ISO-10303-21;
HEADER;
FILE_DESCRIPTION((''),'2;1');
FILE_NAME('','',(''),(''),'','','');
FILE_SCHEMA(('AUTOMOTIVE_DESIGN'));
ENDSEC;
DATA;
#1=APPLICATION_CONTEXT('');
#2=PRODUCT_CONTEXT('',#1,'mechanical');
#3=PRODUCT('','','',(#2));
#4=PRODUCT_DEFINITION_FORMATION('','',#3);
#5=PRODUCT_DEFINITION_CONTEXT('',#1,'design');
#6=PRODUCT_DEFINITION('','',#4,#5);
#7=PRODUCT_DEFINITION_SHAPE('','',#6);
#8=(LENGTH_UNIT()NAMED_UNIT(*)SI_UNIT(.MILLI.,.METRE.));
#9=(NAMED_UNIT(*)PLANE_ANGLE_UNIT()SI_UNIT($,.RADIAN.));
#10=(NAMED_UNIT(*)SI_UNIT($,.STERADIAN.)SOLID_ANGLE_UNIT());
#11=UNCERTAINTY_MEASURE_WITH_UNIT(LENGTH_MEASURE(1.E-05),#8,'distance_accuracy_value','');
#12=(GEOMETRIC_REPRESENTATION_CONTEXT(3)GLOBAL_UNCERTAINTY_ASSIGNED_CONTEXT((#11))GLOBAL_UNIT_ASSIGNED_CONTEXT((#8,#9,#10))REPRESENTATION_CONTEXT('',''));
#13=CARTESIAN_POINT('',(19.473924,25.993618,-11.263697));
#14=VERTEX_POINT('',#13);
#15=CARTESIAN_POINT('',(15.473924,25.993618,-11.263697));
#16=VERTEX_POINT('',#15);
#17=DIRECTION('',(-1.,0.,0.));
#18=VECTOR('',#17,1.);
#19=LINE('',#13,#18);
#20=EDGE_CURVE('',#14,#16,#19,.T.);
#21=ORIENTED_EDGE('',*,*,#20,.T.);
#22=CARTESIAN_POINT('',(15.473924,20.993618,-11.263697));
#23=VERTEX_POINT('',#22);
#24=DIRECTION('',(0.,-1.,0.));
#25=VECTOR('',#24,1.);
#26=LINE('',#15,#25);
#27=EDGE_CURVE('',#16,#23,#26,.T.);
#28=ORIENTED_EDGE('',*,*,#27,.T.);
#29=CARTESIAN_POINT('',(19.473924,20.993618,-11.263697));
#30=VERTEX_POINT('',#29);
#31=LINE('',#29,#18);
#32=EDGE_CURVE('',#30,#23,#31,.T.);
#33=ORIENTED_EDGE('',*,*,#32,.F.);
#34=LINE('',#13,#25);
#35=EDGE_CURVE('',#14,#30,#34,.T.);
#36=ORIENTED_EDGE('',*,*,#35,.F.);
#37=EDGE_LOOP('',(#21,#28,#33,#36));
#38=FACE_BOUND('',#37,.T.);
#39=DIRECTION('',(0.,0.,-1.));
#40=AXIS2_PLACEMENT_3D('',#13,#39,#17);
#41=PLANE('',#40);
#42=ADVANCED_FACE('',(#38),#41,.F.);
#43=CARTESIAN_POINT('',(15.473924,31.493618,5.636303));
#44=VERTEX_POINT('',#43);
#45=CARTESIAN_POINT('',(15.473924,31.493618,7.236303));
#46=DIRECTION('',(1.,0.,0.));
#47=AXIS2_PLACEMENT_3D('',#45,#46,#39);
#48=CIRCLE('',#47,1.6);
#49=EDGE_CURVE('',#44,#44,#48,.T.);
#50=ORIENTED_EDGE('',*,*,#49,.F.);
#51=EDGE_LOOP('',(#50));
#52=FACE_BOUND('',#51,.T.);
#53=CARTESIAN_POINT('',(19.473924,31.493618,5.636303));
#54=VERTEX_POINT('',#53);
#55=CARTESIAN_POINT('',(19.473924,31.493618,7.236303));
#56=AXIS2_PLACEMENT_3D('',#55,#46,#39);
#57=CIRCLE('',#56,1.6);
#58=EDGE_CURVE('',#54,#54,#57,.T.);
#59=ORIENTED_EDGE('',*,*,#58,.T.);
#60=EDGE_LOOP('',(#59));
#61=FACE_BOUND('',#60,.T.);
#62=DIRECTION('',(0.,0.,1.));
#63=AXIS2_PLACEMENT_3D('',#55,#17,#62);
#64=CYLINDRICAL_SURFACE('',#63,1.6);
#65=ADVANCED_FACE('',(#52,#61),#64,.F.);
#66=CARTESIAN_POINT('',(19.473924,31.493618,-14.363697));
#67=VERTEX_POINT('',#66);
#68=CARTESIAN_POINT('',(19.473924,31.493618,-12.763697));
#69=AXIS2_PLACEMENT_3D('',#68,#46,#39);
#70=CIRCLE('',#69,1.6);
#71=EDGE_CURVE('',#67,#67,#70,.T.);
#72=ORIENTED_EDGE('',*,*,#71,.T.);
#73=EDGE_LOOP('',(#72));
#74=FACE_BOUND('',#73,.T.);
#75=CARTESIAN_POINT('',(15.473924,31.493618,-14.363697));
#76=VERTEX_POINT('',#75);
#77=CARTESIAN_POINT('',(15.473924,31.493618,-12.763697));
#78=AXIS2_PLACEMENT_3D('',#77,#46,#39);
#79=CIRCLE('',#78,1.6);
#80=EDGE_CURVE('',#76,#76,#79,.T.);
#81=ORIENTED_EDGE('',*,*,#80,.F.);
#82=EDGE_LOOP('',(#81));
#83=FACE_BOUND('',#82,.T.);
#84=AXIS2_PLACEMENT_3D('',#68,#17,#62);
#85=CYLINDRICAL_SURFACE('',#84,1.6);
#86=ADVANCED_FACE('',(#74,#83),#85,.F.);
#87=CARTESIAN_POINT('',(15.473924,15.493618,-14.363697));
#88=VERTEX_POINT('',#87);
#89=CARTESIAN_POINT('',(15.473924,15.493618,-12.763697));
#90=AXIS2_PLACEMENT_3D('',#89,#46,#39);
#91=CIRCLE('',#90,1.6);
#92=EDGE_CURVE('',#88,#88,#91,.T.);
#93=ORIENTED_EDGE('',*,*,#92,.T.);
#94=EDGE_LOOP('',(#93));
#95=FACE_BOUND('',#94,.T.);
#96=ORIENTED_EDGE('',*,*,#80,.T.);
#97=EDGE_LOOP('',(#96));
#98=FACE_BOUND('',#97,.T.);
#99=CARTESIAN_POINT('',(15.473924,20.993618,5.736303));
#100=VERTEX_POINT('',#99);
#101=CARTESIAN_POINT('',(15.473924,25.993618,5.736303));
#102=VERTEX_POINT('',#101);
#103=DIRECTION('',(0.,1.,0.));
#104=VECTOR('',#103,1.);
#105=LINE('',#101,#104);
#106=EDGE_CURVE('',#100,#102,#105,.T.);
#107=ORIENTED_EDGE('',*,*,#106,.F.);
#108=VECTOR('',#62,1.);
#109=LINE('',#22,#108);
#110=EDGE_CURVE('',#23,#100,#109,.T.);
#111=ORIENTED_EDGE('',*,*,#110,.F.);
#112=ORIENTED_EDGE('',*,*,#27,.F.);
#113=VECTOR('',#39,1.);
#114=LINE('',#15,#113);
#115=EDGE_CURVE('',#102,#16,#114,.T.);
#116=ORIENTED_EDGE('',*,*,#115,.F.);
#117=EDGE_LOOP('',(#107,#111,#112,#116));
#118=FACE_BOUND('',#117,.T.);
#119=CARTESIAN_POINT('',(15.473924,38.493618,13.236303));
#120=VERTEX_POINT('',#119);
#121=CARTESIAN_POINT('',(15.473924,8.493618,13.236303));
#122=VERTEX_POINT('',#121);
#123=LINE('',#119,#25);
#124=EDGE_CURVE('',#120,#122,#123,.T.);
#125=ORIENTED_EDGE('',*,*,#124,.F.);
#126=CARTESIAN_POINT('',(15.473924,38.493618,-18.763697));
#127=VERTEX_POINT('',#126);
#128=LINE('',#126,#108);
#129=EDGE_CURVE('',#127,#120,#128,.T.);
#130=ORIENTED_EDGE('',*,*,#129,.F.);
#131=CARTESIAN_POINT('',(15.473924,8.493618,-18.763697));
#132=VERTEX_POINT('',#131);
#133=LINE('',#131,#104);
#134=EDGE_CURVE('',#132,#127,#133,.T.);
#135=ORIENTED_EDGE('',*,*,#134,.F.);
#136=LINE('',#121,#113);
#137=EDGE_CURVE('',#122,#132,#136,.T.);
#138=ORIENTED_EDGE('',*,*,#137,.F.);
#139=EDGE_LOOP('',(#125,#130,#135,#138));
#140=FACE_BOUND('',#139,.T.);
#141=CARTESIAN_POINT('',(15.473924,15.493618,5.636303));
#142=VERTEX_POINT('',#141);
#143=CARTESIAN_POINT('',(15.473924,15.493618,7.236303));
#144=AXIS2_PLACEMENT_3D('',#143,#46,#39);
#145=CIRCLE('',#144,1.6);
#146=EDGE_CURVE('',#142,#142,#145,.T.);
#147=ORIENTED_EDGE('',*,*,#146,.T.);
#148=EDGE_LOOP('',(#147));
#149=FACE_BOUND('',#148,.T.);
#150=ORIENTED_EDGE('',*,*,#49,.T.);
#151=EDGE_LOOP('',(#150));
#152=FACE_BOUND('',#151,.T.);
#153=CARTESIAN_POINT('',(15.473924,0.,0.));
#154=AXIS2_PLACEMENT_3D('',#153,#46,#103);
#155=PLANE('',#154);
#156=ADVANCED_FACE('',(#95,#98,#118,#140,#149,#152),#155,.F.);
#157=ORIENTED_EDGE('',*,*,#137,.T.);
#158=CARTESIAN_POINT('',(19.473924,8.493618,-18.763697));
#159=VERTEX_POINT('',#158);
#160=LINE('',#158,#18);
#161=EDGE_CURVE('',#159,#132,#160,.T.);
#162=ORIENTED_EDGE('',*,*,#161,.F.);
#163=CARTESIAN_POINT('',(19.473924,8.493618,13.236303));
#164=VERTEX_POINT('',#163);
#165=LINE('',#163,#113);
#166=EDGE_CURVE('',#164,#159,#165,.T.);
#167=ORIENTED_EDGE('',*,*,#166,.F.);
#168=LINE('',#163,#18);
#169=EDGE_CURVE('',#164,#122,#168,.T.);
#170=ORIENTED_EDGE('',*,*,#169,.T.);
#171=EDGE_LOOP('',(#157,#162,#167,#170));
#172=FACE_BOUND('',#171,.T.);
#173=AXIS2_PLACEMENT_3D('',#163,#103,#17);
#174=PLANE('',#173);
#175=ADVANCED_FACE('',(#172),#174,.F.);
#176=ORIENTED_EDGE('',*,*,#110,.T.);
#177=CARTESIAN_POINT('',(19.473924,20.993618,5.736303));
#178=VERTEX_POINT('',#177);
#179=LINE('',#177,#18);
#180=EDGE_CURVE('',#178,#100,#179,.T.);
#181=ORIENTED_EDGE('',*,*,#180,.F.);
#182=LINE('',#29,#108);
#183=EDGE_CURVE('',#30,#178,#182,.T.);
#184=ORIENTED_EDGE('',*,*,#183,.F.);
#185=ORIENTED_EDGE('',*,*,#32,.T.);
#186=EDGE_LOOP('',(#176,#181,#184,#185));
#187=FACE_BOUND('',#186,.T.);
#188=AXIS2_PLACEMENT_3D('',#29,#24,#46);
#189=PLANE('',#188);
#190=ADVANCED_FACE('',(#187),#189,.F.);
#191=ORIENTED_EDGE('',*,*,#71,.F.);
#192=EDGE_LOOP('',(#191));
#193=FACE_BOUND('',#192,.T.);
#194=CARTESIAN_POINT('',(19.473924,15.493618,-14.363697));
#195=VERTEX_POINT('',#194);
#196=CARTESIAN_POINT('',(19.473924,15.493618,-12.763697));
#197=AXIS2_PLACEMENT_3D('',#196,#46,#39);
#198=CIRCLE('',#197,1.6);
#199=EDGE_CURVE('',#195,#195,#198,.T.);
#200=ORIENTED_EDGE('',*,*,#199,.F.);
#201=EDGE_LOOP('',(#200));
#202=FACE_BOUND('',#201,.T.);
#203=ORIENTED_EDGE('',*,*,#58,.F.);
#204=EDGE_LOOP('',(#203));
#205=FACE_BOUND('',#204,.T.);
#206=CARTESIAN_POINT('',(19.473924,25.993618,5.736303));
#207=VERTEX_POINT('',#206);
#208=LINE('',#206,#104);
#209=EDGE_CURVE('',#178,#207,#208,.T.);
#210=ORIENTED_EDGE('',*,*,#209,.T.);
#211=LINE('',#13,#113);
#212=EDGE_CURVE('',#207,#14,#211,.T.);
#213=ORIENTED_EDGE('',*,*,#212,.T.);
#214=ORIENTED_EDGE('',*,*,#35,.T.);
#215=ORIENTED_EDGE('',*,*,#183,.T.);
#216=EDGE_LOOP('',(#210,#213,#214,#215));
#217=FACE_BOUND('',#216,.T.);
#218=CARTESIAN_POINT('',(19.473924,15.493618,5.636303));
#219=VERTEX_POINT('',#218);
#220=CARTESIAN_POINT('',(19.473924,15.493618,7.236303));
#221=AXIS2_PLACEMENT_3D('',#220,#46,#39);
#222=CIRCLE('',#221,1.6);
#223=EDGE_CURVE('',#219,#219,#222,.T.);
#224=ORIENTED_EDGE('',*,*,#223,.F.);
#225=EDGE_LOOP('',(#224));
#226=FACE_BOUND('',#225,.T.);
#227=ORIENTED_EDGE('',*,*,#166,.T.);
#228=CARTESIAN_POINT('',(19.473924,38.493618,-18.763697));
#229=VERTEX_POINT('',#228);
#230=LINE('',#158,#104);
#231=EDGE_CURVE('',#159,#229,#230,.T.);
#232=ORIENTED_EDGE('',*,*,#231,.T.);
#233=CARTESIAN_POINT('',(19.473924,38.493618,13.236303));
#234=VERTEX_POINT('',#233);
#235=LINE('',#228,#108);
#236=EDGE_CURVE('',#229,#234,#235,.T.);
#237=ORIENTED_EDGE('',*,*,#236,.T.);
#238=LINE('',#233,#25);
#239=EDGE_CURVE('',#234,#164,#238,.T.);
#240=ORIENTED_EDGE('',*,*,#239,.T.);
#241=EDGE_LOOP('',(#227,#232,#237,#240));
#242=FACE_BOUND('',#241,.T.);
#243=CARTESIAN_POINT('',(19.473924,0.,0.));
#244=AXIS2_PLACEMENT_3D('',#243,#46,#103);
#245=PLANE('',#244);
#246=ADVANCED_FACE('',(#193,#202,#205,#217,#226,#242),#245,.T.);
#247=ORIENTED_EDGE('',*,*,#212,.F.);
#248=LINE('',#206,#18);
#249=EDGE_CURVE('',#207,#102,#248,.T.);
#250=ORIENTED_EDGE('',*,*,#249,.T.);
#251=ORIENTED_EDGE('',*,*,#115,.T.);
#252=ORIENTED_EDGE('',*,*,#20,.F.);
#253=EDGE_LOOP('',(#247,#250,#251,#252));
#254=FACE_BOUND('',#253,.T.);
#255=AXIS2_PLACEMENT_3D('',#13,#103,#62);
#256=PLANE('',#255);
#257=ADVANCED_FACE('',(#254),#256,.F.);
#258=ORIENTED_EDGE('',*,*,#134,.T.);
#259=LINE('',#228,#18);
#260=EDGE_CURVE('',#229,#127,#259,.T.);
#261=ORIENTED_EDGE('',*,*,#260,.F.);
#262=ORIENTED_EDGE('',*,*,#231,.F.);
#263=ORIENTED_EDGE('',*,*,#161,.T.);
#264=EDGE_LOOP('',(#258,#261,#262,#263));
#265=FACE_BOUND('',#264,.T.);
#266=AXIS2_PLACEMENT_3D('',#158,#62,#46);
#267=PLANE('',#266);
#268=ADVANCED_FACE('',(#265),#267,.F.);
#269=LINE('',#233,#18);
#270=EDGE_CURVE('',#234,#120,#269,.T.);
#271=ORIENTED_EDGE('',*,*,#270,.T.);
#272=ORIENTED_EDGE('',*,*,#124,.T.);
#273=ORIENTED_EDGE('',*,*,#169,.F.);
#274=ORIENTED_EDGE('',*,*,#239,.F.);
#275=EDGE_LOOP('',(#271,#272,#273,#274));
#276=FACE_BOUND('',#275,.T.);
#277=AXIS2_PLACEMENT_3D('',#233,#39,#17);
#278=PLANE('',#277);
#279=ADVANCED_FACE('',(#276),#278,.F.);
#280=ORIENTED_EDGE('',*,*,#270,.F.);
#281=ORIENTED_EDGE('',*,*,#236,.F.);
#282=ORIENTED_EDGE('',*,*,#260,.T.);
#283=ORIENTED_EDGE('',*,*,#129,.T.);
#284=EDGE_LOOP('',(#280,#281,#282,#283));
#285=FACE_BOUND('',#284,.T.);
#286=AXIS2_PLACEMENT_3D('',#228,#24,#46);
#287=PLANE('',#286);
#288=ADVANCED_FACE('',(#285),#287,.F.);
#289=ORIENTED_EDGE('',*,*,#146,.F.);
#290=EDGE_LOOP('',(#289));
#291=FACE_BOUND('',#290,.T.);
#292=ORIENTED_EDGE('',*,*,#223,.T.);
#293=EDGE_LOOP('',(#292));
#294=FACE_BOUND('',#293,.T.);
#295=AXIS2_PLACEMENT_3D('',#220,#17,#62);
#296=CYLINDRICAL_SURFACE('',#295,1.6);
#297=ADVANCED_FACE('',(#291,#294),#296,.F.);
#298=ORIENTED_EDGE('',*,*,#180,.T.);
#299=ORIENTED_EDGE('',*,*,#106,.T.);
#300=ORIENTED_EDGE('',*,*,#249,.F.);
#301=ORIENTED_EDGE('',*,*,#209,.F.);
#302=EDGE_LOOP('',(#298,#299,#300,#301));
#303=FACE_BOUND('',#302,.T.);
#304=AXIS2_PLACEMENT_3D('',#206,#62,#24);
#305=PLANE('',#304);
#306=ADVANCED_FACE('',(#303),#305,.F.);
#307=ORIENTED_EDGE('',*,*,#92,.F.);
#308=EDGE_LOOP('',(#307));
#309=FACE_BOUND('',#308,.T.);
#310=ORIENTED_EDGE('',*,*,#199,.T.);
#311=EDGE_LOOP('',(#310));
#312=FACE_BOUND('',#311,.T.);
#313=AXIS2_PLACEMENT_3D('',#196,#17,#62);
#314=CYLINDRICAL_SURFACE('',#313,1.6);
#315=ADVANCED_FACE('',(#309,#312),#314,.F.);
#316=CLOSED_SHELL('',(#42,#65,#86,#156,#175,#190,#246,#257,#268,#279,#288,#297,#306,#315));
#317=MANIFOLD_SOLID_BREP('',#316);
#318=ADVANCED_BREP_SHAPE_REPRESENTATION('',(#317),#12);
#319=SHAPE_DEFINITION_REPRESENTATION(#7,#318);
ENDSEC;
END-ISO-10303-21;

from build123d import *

# Parameters (mm, degrees)
SKETCH_1_W         = 32
SKETCH_1_H         = 30
SKETCH_1_R         = 1.6
EXTRUDE_1_DEPTH    = 4
SKETCH2_W          = 17
SKETCH2_H          = 5
CUT_EXTRUDE2_DEPTH = 5


with BuildPart() as part:
    # Эскиз1 → Бобышка-Вытянуть1 (new body)
    with BuildSketch(Plane(origin=(15.473923778, 0, 0), x_dir=(0, 0, -1), z_dir=(1, 0, 0))):
        with Locations((2.763696673, 23.493617857)):
            Rectangle(SKETCH_1_W, SKETCH_1_H)
        with Locations((-7.236303327, 31.493617857)):
            Circle(SKETCH_1_R, mode=Mode.SUBTRACT)
        with Locations((12.763696673, 31.493617857)):
            Circle(SKETCH_1_R, mode=Mode.SUBTRACT)
        with Locations((-7.236303327, 15.493617857)):
            Circle(SKETCH_1_R, mode=Mode.SUBTRACT)
        with Locations((12.763696673, 15.493617857)):
            Circle(SKETCH_1_R, mode=Mode.SUBTRACT)
    extrude(amount=EXTRUDE_1_DEPTH)

    # Sketch2 → Cut-Extrude2 (cut, through all)
    with BuildSketch(Plane.ZY.offset(-15.473923778)):
        with Locations((-2.763696673, 23.493617857)):
            Rectangle(SKETCH2_W, SKETCH2_H)
    extrude(amount=-CUT_EXTRUDE2_DEPTH, mode=Mode.SUBTRACT)


solid = part.part
